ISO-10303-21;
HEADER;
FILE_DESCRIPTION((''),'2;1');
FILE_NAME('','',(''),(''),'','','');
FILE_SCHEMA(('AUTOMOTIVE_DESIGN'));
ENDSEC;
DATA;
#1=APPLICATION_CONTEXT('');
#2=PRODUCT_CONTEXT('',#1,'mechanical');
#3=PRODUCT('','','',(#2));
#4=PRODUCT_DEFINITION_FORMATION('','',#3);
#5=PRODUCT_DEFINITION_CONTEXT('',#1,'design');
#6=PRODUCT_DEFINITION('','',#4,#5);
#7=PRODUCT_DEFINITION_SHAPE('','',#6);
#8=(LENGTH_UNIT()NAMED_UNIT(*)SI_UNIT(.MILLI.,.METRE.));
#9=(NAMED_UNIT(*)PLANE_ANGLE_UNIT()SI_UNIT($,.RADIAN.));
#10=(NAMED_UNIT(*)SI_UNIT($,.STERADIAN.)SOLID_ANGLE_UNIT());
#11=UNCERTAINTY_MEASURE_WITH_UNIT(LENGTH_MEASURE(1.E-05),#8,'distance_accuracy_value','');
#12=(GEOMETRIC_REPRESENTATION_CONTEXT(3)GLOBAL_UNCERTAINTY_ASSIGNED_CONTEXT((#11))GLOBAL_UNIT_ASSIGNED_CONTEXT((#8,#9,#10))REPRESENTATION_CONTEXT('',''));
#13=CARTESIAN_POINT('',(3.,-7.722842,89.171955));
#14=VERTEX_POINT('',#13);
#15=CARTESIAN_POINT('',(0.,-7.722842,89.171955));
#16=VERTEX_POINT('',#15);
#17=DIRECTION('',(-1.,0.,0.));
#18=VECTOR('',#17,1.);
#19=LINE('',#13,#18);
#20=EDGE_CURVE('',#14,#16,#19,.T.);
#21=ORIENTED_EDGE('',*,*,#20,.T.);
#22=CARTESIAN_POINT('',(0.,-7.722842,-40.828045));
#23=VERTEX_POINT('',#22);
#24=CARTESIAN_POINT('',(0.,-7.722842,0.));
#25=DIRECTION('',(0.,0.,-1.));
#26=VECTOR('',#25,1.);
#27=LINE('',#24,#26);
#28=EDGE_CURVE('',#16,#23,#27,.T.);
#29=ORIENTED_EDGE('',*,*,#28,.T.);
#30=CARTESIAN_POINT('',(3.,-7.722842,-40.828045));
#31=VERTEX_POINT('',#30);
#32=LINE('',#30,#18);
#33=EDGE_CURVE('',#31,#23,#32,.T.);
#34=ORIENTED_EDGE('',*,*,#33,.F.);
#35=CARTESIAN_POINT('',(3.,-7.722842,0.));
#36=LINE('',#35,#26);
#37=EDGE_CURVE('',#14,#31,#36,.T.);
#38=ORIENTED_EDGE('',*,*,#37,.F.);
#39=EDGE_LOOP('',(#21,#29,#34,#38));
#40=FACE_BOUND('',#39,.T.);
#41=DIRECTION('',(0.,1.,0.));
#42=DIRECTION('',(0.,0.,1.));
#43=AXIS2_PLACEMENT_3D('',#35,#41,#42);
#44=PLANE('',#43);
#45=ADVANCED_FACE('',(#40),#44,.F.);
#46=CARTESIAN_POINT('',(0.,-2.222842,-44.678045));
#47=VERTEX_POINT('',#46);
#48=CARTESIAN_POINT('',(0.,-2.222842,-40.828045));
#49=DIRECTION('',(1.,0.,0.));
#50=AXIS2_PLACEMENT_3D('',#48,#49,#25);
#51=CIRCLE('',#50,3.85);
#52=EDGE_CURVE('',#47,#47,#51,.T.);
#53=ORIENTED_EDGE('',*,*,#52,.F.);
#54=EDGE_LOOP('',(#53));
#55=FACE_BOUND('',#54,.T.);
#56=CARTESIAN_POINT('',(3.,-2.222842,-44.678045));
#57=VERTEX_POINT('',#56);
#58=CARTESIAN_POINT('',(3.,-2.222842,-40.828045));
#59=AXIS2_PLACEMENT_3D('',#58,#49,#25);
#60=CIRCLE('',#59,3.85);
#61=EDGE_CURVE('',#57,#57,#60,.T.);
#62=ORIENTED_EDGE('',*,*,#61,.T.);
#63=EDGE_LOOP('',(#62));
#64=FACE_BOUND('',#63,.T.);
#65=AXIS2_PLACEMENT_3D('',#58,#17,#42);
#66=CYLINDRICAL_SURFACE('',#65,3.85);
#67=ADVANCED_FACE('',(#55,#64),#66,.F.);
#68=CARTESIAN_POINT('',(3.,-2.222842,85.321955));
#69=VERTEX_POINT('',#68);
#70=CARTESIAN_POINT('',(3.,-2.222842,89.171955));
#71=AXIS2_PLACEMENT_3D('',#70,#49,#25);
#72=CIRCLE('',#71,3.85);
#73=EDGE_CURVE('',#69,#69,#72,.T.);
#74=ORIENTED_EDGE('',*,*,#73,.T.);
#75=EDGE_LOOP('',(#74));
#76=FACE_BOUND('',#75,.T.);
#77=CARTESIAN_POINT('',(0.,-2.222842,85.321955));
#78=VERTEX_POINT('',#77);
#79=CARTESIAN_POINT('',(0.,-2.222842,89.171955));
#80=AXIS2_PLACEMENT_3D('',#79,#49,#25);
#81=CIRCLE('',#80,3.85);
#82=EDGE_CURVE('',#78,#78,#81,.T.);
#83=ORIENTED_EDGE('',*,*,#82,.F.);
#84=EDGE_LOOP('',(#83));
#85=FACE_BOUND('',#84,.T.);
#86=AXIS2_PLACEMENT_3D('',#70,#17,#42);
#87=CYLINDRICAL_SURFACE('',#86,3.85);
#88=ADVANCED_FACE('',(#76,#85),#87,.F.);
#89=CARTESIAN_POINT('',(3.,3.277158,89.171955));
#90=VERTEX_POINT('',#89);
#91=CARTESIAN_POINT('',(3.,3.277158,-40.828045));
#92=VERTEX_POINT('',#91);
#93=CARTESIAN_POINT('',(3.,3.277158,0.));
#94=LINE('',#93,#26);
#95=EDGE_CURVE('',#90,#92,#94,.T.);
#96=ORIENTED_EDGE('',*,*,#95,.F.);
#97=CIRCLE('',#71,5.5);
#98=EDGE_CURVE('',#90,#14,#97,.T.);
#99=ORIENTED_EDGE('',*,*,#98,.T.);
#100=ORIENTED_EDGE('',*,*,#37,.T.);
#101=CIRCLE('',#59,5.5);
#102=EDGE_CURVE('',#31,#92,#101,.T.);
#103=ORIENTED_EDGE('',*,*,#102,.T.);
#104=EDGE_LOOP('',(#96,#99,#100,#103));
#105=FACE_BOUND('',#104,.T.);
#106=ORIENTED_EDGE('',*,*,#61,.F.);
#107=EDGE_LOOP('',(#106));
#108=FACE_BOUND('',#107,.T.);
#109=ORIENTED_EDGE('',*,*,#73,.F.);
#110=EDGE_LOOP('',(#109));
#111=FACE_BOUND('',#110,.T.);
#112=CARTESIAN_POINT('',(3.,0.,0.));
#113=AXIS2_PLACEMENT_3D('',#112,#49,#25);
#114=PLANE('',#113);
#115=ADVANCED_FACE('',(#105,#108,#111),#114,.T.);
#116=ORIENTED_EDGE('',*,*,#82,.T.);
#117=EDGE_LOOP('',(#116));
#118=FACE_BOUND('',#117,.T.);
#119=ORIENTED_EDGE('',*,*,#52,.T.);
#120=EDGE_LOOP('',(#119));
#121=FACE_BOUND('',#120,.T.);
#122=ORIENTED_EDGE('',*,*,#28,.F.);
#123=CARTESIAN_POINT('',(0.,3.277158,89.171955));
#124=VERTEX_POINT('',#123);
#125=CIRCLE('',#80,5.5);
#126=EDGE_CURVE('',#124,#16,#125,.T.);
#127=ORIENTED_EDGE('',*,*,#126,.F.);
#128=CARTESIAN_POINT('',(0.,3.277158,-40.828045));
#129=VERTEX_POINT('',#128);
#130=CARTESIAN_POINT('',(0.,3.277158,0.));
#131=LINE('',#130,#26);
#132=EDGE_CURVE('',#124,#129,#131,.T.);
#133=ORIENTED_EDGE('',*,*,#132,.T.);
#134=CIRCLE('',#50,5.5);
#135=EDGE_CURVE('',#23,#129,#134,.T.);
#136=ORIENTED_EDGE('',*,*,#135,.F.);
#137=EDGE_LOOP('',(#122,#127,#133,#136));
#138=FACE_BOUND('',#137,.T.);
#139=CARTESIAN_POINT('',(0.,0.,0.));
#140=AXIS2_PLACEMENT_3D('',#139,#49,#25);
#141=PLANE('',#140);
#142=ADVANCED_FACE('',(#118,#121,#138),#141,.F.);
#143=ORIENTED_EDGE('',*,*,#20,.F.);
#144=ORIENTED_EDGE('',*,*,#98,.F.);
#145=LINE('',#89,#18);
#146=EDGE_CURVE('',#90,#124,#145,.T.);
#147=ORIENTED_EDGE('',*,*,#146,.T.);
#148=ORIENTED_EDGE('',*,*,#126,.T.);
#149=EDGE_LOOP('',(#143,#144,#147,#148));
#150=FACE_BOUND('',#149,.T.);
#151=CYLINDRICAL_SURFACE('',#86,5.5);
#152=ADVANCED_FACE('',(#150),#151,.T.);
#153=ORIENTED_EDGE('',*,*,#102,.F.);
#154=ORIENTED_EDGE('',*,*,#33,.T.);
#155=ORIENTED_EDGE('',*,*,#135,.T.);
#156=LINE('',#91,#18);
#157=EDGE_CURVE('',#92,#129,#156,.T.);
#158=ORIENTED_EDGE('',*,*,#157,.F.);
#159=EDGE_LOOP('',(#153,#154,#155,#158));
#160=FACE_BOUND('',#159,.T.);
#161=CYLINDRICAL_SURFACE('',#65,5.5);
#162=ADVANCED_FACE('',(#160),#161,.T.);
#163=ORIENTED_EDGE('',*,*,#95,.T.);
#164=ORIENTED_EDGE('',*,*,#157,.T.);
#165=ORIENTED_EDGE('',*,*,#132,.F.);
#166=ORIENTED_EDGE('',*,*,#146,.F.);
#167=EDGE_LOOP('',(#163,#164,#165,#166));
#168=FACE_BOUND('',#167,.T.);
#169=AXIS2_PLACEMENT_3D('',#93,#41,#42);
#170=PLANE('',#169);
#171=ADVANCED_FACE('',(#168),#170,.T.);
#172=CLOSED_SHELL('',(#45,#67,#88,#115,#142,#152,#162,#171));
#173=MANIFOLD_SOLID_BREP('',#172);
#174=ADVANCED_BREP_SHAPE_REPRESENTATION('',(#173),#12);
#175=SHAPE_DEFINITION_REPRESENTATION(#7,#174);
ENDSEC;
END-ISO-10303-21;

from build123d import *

# Parameters (mm, degrees)
BOSS_EXTRUDE3_DEPTH = 3
SKETCH1_7_R         = 3.85
CUT_EXTRUDE2_DEPTH  = 96.033790624


with BuildPart() as part:
    # Sketch1 → Boss-Extrude3 (new body)
    with BuildSketch(Plane(origin=(0, 0, 0), x_dir=(0, 0, -1), z_dir=(1, 0, 0))):
        with BuildLine():
            ThreePointArc((-89.17195507, 3.277158319), (-94.67195507, -2.222841681), (-89.17195507, -7.722841681))
            Line((-89.17195507, -7.722841681), (40.82804493, -7.722841681))
            ThreePointArc((40.82804493, -7.722841681), (46.32804493, -2.222841681), (40.82804493, 3.277158319))
            Line((40.82804493, 3.277158319), (-89.17195507, 3.277158319))
        make_face()
    extrude(amount=BOSS_EXTRUDE3_DEPTH)

    # Sketch1<7> → Cut-Extrude2 (cut, through all)
    with BuildSketch(Plane(origin=(0, 0, 0), x_dir=(0, 0, -1), z_dir=(1, 0, 0))):
        with Locations((-89.17195507, -2.222841681)):
            Circle(SKETCH1_7_R)
        with Locations((40.82804493, -2.222841681)):
            Circle(SKETCH1_7_R)
    extrude(amount=CUT_EXTRUDE2_DEPTH, mode=Mode.SUBTRACT)


solid = part.part
